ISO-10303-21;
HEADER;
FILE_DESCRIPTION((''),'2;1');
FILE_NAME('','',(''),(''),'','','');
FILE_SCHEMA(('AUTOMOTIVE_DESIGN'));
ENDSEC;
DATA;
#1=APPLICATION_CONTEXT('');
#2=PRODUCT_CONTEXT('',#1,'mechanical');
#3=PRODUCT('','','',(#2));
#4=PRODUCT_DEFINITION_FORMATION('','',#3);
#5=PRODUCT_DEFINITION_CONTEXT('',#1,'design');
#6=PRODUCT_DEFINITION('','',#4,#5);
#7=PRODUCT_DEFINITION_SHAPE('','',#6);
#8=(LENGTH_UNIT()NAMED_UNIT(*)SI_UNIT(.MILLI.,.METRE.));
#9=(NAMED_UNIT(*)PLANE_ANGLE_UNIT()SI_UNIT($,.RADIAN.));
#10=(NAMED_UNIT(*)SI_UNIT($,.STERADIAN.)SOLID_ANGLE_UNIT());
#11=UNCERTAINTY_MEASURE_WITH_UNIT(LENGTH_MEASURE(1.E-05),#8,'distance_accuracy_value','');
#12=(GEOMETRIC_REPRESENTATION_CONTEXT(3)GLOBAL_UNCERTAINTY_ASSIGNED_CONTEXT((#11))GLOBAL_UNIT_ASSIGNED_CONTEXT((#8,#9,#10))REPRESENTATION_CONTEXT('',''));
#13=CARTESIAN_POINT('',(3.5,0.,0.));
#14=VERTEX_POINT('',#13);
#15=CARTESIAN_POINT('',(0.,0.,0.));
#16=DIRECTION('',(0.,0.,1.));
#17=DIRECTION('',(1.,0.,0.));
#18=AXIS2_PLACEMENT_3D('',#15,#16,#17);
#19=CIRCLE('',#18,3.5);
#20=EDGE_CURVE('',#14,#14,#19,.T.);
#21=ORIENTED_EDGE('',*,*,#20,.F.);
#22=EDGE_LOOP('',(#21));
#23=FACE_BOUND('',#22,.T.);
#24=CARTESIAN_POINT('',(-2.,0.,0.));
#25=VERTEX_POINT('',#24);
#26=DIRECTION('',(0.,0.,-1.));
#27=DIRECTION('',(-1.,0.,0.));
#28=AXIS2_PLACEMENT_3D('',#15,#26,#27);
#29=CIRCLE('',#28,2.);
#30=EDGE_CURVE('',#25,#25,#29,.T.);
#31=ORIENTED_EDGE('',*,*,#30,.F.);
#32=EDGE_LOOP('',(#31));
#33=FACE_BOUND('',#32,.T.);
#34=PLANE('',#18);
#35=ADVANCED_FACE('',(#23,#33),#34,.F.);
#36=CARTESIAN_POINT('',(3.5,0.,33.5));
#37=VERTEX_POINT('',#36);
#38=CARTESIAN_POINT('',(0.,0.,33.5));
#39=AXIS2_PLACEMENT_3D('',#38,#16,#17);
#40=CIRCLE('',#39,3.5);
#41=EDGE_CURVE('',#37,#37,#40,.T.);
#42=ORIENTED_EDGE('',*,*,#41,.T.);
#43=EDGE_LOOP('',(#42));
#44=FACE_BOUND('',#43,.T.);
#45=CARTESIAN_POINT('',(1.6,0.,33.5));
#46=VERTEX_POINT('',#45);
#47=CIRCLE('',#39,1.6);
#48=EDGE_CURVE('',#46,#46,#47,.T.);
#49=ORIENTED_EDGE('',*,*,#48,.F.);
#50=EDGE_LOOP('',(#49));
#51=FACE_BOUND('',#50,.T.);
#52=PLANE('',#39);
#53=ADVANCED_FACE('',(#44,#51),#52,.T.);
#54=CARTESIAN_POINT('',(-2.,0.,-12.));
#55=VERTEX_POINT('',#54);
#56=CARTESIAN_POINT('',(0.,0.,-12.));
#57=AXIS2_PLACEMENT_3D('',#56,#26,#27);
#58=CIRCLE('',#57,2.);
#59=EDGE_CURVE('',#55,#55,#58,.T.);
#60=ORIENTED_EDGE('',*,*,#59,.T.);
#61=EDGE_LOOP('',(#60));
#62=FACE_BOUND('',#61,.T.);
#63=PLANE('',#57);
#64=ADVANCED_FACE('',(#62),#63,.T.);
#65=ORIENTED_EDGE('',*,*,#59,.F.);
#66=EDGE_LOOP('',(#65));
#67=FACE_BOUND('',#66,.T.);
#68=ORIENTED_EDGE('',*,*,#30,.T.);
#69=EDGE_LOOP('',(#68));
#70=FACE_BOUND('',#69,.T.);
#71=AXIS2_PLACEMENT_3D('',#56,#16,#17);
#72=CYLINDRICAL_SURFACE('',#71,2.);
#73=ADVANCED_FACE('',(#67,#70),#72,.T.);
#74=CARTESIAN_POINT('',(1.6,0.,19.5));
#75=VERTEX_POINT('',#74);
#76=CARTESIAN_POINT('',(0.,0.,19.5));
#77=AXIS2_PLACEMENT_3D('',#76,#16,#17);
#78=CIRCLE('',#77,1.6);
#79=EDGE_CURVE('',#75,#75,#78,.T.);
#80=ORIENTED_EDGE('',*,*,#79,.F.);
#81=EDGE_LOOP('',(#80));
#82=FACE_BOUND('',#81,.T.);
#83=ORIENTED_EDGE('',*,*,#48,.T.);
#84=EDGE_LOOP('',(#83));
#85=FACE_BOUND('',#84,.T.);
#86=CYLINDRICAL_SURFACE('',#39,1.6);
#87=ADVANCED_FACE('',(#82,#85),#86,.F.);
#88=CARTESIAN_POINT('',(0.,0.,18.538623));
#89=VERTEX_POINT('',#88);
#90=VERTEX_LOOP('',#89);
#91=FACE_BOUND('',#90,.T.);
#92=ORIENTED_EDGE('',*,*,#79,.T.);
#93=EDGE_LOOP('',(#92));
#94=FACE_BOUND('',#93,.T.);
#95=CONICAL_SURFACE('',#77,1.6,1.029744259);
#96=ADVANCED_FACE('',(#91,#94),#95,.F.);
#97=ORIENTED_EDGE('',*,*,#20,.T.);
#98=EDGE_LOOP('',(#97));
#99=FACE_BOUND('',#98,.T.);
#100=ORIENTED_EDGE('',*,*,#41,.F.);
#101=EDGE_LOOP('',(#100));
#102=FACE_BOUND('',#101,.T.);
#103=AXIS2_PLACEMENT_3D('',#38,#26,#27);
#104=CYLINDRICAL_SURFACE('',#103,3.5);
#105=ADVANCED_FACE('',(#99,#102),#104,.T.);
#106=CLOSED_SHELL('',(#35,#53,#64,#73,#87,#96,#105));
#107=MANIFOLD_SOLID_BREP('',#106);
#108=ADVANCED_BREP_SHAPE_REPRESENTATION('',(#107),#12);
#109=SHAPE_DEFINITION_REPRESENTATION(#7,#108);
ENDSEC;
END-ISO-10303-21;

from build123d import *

# Parameters (mm, degrees)
SKETCH1_R                   = 3.5
BOSS_EXTRUDE1_DEPTH         = 33.5
SKETCH2_R                   = 2
BOSS_EXTRUDE2_DEPTH         = 12
TAP_DRILL_FOR_M3_TAP1_D     = 3.2
TAP_DRILL_FOR_M3_TAP1_DEPTH = 14
TAP_DRILL_FOR_M3_TAP1_TIP   = 0.96137699


with BuildPart() as part:
    # Sketch1 → Boss-Extrude1 (new body)
    with BuildSketch(Plane.XY):
        Circle(SKETCH1_R)
    extrude(amount=BOSS_EXTRUDE1_DEPTH)

    # Sketch2 → Boss-Extrude2 (add)
    with BuildSketch(Plane(origin=(0, 0, 0), x_dir=(-1, 0, 0), z_dir=(0, 0, -1))):
        Circle(SKETCH2_R)
    extrude(amount=BOSS_EXTRUDE2_DEPTH)

    # Tap Drill for M3 Tap1
    with Locations(Plane.XY.offset(33.5)):
        with Locations((0, 0)):
            Hole(TAP_DRILL_FOR_M3_TAP1_D / 2, depth=TAP_DRILL_FOR_M3_TAP1_DEPTH)
            with Locations((0, 0, -(TAP_DRILL_FOR_M3_TAP1_DEPTH + TAP_DRILL_FOR_M3_TAP1_TIP / 2))):  # 118° drill point
                Cone(0, TAP_DRILL_FOR_M3_TAP1_D / 2, TAP_DRILL_FOR_M3_TAP1_TIP, mode=Mode.SUBTRACT)


solid = part.part
